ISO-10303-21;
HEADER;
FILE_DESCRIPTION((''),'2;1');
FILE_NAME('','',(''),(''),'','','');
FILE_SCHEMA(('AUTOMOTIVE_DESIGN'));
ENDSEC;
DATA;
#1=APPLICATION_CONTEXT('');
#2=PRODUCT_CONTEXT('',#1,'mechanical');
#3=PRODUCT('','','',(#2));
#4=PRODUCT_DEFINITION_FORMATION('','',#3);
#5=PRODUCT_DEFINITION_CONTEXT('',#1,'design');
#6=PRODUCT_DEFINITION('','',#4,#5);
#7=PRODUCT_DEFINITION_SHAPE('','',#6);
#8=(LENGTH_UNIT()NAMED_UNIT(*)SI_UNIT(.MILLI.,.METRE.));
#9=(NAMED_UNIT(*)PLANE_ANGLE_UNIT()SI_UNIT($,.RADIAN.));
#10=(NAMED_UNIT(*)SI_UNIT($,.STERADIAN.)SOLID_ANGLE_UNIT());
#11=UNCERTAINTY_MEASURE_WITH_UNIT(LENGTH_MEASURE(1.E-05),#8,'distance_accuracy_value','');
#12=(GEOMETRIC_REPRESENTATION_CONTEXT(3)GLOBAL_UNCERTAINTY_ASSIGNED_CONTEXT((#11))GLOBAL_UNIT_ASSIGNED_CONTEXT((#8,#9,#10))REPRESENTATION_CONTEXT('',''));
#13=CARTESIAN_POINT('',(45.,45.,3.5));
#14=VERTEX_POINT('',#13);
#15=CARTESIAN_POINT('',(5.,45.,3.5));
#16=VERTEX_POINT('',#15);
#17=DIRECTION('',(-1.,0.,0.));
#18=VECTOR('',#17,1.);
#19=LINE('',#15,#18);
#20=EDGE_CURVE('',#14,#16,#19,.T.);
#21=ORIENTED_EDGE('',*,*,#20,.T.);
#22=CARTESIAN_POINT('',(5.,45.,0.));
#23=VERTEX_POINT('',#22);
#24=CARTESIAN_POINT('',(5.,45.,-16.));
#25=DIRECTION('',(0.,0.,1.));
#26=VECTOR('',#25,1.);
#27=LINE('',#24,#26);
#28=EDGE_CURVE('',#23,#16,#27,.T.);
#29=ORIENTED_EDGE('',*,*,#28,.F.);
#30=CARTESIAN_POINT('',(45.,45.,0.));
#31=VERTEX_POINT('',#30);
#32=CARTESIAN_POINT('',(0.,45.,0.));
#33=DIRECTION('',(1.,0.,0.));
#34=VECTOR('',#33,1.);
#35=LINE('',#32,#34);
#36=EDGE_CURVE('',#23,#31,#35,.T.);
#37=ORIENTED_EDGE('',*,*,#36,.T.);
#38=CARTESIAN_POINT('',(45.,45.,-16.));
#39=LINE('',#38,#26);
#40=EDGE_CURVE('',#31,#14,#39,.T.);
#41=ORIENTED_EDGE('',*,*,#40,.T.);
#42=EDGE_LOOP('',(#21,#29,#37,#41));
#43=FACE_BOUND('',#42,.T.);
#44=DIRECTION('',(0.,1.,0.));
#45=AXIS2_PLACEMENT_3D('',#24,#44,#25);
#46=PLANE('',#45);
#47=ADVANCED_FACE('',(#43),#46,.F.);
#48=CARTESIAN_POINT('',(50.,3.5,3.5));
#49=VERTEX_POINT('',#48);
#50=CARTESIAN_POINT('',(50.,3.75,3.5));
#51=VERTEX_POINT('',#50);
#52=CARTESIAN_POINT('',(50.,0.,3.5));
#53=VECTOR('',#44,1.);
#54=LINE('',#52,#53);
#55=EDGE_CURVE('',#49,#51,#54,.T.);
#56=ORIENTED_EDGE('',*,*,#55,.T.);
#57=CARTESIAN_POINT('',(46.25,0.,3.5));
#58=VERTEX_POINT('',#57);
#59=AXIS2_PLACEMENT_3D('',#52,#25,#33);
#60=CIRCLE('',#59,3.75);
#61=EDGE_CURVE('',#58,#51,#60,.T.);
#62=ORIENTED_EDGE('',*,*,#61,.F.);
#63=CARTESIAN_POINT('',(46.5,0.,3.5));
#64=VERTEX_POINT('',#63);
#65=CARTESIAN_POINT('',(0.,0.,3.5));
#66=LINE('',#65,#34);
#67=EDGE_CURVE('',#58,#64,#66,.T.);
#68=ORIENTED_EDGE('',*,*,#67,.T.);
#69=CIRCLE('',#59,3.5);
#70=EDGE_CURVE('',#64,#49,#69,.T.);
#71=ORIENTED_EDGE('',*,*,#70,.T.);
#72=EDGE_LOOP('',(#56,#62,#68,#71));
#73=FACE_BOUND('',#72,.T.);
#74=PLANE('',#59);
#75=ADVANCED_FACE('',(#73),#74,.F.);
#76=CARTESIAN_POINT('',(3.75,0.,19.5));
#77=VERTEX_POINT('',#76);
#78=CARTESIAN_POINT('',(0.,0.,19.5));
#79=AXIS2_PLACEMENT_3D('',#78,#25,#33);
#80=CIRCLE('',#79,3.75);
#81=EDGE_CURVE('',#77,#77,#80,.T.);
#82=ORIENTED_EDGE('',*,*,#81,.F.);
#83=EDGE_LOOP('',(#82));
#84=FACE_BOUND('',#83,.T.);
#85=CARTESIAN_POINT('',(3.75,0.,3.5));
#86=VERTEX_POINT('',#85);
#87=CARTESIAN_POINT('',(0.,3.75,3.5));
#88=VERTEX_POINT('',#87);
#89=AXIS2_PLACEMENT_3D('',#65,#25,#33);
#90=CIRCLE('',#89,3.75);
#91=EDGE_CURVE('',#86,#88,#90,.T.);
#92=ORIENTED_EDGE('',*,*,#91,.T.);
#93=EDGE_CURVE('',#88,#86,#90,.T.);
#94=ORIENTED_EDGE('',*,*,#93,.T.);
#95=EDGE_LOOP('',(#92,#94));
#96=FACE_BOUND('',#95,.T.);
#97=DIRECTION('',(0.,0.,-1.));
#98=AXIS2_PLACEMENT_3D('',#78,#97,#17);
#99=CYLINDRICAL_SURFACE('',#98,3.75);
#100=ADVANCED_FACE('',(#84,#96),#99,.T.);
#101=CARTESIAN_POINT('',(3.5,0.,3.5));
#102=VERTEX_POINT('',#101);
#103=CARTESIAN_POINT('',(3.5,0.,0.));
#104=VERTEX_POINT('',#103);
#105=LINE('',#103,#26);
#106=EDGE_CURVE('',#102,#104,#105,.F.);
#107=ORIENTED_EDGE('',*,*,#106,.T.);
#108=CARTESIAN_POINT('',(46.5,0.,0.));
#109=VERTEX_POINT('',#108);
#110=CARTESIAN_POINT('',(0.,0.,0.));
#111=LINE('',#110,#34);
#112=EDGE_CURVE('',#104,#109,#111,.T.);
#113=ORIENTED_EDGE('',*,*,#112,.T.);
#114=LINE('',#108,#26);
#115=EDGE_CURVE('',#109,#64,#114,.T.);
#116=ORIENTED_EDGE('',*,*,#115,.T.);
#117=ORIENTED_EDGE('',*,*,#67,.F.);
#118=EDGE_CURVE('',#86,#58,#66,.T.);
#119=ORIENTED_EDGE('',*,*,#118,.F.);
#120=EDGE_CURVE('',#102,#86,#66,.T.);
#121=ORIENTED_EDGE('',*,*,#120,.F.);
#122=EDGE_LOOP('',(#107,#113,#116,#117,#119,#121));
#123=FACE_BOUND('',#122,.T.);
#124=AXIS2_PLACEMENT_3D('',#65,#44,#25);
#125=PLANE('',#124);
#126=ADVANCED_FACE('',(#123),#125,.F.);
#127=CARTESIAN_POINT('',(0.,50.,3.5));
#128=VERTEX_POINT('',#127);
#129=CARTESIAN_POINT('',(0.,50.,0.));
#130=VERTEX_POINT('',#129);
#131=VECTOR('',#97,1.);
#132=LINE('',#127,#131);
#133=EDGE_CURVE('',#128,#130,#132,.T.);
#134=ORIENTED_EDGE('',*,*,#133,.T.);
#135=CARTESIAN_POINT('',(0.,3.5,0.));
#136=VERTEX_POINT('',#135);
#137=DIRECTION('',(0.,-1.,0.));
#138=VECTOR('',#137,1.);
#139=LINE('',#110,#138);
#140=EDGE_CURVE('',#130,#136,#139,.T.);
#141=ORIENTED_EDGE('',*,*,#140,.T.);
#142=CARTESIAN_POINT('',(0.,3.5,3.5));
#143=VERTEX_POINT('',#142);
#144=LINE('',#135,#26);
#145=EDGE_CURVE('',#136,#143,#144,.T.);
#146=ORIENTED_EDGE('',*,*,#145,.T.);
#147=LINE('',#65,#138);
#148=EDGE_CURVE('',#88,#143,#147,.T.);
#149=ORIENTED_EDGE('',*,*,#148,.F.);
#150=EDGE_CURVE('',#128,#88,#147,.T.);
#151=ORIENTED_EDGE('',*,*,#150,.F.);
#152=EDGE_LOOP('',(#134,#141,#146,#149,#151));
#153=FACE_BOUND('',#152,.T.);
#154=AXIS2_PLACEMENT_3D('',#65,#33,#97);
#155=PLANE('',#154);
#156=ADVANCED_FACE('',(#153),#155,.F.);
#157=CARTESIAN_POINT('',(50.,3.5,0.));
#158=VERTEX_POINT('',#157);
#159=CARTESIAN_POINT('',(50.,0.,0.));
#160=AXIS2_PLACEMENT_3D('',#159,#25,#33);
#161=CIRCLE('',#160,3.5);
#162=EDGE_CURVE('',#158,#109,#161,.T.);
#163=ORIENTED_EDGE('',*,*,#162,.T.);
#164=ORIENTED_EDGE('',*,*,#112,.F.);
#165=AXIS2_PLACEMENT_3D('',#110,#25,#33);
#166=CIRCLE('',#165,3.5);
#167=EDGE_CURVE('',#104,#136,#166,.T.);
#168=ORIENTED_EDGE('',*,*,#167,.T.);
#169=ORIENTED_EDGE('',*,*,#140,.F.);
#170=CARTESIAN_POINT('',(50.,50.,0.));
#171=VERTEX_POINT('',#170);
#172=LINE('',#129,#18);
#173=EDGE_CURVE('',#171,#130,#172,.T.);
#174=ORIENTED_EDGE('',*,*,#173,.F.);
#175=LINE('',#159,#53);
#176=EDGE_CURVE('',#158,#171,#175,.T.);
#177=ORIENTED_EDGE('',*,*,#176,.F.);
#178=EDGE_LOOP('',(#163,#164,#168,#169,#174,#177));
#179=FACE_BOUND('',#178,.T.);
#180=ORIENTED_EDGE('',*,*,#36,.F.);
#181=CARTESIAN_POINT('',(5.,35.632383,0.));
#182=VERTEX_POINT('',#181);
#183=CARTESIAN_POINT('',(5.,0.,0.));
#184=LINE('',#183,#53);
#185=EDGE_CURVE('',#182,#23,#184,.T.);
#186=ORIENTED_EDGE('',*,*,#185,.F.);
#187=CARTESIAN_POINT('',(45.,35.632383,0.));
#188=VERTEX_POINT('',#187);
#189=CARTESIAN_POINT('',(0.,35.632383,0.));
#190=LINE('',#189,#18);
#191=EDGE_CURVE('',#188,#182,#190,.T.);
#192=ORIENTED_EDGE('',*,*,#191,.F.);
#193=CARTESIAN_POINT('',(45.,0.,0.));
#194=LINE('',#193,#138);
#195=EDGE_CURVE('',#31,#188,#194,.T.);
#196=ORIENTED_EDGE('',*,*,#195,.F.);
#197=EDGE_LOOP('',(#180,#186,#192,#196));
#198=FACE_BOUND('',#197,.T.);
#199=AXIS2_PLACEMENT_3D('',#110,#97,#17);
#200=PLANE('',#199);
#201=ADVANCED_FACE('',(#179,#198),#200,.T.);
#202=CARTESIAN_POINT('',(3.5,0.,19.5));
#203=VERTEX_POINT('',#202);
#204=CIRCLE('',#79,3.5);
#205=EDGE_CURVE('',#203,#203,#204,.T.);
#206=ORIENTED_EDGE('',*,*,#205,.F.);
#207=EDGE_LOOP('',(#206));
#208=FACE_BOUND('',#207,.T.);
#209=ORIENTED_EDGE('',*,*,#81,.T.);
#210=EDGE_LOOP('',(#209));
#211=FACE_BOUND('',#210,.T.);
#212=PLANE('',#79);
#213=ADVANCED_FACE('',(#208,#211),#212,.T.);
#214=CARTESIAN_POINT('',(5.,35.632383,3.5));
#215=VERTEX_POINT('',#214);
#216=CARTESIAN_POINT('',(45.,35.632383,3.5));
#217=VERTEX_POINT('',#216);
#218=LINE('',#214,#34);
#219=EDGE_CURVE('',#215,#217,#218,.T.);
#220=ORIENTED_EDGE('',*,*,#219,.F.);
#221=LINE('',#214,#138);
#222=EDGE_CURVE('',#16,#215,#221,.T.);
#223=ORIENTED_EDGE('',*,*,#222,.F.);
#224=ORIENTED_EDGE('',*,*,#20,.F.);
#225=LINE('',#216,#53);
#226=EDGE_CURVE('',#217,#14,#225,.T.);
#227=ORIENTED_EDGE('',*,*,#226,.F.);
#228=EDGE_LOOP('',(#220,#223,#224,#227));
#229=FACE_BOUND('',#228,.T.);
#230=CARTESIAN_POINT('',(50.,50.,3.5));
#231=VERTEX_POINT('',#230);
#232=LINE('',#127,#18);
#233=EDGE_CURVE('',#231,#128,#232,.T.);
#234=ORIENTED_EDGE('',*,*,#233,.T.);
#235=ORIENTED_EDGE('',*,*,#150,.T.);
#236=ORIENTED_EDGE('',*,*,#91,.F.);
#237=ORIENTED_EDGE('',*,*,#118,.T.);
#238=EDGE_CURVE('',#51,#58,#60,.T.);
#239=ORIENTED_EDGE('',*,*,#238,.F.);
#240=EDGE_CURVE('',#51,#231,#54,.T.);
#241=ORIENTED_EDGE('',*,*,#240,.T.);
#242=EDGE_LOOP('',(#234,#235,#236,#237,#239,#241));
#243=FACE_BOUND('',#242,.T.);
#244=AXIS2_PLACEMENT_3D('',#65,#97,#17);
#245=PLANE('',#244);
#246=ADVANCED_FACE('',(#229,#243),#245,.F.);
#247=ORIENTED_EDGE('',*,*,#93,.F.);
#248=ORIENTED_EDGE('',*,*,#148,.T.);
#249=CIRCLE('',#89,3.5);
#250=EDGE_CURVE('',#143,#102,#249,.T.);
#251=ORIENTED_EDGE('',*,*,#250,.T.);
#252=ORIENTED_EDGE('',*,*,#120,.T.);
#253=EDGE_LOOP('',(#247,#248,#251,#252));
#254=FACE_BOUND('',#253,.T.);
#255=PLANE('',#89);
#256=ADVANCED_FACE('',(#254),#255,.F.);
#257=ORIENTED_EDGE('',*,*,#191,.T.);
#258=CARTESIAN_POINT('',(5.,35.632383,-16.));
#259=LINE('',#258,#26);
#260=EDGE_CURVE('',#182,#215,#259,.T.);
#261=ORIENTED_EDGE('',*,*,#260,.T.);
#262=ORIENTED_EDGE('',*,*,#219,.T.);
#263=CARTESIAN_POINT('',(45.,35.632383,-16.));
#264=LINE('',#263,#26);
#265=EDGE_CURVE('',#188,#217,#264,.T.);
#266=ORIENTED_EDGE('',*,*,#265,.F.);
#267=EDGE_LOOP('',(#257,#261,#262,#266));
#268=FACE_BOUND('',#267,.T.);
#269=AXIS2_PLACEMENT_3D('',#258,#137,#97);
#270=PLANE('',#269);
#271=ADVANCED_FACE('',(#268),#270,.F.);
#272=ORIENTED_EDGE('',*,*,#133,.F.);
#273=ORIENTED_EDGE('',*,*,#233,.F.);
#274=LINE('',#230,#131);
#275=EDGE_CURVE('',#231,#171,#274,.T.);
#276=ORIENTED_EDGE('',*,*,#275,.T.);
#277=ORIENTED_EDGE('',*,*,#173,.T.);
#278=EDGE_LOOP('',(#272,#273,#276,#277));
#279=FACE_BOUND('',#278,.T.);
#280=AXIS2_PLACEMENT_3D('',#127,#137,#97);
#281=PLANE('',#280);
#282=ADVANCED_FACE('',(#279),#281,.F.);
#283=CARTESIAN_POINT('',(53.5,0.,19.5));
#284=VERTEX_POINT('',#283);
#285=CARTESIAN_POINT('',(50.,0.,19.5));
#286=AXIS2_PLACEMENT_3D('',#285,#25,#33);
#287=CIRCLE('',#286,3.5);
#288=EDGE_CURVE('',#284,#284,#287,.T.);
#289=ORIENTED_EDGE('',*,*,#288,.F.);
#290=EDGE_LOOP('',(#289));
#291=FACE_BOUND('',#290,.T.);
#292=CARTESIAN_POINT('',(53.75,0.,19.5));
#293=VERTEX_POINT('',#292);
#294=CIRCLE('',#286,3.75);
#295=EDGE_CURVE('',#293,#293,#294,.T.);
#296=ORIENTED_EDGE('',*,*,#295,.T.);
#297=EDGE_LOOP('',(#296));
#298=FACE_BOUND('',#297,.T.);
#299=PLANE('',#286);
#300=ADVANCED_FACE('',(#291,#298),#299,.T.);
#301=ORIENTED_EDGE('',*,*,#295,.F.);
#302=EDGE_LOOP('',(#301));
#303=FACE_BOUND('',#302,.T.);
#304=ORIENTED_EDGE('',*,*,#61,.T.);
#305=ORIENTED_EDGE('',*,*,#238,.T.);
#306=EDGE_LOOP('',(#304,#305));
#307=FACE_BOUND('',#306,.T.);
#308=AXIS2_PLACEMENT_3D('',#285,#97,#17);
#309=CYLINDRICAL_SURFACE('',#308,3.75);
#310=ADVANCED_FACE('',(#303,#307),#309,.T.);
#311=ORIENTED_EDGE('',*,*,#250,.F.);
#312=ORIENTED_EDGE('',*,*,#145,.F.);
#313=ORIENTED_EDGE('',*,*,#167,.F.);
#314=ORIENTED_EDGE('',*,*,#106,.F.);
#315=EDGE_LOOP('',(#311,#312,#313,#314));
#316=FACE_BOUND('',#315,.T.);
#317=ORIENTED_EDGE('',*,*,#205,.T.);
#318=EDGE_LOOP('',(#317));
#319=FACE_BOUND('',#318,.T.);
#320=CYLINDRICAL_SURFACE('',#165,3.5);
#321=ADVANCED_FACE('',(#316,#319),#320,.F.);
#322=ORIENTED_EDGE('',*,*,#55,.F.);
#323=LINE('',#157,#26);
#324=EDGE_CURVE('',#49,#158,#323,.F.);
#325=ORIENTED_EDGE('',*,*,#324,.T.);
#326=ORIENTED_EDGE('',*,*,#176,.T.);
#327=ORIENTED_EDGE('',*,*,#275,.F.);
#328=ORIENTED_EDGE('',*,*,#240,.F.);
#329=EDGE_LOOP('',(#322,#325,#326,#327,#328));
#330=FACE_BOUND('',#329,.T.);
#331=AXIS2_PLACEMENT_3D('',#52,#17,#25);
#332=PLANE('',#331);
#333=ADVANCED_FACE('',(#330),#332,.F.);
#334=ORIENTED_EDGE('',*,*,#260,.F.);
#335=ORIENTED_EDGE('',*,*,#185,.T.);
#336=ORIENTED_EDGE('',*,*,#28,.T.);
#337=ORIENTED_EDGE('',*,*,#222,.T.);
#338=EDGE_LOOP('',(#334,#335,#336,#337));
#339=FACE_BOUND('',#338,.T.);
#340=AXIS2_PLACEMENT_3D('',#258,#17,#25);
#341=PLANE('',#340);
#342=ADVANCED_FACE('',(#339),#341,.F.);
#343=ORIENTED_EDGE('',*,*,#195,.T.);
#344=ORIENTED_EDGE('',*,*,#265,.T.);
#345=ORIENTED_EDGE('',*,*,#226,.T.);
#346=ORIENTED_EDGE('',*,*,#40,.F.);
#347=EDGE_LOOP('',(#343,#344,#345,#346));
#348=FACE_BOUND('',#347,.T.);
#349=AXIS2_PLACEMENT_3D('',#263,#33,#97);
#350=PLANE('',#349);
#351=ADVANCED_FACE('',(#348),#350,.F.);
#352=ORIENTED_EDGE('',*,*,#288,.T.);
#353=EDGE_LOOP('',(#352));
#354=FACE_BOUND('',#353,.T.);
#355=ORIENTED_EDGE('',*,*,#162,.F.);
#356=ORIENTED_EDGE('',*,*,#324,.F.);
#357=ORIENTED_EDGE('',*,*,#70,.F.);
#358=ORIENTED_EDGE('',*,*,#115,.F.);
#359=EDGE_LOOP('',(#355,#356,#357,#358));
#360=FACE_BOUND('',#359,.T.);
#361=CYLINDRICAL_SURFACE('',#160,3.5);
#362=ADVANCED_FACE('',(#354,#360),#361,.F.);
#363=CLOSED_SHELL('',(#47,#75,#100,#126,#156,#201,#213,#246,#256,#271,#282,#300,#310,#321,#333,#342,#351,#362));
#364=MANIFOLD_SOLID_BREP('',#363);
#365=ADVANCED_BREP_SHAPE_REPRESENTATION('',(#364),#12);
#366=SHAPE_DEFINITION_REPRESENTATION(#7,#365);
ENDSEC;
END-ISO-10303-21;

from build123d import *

# Parameters (mm, degrees)
SKETCH1_W           = 50
SKETCH1_H           = 50
BOSS_EXTRUDE1_DEPTH = 3.5
SKETCH2_R           = 3.75
BOSS_EXTRUDE2_DEPTH = 16
SKETCH3_R           = 3.5
CUT_EXTRUDE2_DEPTH  = 19.5
SKETCH4_W           = 40
SKETCH4_H           = 9.367616821
CUT_EXTRUDE3_DEPTH  = 19.5


with BuildPart() as part:
    # Sketch1 → Boss-Extrude1 (new body)
    with BuildSketch(Plane.XY):
        with Locations((25, 25)):
            Rectangle(SKETCH1_W, SKETCH1_H)
    extrude(amount=BOSS_EXTRUDE1_DEPTH)

    # Sketch2 → Boss-Extrude2 (add)
    with BuildSketch(Plane.XY.offset(3.5)):
        Circle(SKETCH2_R)
        with Locations(Location((50, 0, 0), (0, 0, 180))):
            Circle(SKETCH2_R)
    extrude(amount=BOSS_EXTRUDE2_DEPTH)

    # Sketch3 → Cut-Extrude2 (cut)
    with BuildSketch(Plane.XY.offset(19.5)):
        Circle(SKETCH3_R)
        with Locations((50, 0)):
            Circle(SKETCH3_R)
    extrude(amount=-CUT_EXTRUDE2_DEPTH, mode=Mode.SUBTRACT)

    # Sketch4 → Cut-Extrude3 (cut)
    with BuildSketch(Plane.XY.offset(3.5)):
        with Locations((25, 40.31619159)):
            Rectangle(SKETCH4_W, SKETCH4_H)
    extrude(amount=-CUT_EXTRUDE3_DEPTH, mode=Mode.SUBTRACT)


solid = part.part
